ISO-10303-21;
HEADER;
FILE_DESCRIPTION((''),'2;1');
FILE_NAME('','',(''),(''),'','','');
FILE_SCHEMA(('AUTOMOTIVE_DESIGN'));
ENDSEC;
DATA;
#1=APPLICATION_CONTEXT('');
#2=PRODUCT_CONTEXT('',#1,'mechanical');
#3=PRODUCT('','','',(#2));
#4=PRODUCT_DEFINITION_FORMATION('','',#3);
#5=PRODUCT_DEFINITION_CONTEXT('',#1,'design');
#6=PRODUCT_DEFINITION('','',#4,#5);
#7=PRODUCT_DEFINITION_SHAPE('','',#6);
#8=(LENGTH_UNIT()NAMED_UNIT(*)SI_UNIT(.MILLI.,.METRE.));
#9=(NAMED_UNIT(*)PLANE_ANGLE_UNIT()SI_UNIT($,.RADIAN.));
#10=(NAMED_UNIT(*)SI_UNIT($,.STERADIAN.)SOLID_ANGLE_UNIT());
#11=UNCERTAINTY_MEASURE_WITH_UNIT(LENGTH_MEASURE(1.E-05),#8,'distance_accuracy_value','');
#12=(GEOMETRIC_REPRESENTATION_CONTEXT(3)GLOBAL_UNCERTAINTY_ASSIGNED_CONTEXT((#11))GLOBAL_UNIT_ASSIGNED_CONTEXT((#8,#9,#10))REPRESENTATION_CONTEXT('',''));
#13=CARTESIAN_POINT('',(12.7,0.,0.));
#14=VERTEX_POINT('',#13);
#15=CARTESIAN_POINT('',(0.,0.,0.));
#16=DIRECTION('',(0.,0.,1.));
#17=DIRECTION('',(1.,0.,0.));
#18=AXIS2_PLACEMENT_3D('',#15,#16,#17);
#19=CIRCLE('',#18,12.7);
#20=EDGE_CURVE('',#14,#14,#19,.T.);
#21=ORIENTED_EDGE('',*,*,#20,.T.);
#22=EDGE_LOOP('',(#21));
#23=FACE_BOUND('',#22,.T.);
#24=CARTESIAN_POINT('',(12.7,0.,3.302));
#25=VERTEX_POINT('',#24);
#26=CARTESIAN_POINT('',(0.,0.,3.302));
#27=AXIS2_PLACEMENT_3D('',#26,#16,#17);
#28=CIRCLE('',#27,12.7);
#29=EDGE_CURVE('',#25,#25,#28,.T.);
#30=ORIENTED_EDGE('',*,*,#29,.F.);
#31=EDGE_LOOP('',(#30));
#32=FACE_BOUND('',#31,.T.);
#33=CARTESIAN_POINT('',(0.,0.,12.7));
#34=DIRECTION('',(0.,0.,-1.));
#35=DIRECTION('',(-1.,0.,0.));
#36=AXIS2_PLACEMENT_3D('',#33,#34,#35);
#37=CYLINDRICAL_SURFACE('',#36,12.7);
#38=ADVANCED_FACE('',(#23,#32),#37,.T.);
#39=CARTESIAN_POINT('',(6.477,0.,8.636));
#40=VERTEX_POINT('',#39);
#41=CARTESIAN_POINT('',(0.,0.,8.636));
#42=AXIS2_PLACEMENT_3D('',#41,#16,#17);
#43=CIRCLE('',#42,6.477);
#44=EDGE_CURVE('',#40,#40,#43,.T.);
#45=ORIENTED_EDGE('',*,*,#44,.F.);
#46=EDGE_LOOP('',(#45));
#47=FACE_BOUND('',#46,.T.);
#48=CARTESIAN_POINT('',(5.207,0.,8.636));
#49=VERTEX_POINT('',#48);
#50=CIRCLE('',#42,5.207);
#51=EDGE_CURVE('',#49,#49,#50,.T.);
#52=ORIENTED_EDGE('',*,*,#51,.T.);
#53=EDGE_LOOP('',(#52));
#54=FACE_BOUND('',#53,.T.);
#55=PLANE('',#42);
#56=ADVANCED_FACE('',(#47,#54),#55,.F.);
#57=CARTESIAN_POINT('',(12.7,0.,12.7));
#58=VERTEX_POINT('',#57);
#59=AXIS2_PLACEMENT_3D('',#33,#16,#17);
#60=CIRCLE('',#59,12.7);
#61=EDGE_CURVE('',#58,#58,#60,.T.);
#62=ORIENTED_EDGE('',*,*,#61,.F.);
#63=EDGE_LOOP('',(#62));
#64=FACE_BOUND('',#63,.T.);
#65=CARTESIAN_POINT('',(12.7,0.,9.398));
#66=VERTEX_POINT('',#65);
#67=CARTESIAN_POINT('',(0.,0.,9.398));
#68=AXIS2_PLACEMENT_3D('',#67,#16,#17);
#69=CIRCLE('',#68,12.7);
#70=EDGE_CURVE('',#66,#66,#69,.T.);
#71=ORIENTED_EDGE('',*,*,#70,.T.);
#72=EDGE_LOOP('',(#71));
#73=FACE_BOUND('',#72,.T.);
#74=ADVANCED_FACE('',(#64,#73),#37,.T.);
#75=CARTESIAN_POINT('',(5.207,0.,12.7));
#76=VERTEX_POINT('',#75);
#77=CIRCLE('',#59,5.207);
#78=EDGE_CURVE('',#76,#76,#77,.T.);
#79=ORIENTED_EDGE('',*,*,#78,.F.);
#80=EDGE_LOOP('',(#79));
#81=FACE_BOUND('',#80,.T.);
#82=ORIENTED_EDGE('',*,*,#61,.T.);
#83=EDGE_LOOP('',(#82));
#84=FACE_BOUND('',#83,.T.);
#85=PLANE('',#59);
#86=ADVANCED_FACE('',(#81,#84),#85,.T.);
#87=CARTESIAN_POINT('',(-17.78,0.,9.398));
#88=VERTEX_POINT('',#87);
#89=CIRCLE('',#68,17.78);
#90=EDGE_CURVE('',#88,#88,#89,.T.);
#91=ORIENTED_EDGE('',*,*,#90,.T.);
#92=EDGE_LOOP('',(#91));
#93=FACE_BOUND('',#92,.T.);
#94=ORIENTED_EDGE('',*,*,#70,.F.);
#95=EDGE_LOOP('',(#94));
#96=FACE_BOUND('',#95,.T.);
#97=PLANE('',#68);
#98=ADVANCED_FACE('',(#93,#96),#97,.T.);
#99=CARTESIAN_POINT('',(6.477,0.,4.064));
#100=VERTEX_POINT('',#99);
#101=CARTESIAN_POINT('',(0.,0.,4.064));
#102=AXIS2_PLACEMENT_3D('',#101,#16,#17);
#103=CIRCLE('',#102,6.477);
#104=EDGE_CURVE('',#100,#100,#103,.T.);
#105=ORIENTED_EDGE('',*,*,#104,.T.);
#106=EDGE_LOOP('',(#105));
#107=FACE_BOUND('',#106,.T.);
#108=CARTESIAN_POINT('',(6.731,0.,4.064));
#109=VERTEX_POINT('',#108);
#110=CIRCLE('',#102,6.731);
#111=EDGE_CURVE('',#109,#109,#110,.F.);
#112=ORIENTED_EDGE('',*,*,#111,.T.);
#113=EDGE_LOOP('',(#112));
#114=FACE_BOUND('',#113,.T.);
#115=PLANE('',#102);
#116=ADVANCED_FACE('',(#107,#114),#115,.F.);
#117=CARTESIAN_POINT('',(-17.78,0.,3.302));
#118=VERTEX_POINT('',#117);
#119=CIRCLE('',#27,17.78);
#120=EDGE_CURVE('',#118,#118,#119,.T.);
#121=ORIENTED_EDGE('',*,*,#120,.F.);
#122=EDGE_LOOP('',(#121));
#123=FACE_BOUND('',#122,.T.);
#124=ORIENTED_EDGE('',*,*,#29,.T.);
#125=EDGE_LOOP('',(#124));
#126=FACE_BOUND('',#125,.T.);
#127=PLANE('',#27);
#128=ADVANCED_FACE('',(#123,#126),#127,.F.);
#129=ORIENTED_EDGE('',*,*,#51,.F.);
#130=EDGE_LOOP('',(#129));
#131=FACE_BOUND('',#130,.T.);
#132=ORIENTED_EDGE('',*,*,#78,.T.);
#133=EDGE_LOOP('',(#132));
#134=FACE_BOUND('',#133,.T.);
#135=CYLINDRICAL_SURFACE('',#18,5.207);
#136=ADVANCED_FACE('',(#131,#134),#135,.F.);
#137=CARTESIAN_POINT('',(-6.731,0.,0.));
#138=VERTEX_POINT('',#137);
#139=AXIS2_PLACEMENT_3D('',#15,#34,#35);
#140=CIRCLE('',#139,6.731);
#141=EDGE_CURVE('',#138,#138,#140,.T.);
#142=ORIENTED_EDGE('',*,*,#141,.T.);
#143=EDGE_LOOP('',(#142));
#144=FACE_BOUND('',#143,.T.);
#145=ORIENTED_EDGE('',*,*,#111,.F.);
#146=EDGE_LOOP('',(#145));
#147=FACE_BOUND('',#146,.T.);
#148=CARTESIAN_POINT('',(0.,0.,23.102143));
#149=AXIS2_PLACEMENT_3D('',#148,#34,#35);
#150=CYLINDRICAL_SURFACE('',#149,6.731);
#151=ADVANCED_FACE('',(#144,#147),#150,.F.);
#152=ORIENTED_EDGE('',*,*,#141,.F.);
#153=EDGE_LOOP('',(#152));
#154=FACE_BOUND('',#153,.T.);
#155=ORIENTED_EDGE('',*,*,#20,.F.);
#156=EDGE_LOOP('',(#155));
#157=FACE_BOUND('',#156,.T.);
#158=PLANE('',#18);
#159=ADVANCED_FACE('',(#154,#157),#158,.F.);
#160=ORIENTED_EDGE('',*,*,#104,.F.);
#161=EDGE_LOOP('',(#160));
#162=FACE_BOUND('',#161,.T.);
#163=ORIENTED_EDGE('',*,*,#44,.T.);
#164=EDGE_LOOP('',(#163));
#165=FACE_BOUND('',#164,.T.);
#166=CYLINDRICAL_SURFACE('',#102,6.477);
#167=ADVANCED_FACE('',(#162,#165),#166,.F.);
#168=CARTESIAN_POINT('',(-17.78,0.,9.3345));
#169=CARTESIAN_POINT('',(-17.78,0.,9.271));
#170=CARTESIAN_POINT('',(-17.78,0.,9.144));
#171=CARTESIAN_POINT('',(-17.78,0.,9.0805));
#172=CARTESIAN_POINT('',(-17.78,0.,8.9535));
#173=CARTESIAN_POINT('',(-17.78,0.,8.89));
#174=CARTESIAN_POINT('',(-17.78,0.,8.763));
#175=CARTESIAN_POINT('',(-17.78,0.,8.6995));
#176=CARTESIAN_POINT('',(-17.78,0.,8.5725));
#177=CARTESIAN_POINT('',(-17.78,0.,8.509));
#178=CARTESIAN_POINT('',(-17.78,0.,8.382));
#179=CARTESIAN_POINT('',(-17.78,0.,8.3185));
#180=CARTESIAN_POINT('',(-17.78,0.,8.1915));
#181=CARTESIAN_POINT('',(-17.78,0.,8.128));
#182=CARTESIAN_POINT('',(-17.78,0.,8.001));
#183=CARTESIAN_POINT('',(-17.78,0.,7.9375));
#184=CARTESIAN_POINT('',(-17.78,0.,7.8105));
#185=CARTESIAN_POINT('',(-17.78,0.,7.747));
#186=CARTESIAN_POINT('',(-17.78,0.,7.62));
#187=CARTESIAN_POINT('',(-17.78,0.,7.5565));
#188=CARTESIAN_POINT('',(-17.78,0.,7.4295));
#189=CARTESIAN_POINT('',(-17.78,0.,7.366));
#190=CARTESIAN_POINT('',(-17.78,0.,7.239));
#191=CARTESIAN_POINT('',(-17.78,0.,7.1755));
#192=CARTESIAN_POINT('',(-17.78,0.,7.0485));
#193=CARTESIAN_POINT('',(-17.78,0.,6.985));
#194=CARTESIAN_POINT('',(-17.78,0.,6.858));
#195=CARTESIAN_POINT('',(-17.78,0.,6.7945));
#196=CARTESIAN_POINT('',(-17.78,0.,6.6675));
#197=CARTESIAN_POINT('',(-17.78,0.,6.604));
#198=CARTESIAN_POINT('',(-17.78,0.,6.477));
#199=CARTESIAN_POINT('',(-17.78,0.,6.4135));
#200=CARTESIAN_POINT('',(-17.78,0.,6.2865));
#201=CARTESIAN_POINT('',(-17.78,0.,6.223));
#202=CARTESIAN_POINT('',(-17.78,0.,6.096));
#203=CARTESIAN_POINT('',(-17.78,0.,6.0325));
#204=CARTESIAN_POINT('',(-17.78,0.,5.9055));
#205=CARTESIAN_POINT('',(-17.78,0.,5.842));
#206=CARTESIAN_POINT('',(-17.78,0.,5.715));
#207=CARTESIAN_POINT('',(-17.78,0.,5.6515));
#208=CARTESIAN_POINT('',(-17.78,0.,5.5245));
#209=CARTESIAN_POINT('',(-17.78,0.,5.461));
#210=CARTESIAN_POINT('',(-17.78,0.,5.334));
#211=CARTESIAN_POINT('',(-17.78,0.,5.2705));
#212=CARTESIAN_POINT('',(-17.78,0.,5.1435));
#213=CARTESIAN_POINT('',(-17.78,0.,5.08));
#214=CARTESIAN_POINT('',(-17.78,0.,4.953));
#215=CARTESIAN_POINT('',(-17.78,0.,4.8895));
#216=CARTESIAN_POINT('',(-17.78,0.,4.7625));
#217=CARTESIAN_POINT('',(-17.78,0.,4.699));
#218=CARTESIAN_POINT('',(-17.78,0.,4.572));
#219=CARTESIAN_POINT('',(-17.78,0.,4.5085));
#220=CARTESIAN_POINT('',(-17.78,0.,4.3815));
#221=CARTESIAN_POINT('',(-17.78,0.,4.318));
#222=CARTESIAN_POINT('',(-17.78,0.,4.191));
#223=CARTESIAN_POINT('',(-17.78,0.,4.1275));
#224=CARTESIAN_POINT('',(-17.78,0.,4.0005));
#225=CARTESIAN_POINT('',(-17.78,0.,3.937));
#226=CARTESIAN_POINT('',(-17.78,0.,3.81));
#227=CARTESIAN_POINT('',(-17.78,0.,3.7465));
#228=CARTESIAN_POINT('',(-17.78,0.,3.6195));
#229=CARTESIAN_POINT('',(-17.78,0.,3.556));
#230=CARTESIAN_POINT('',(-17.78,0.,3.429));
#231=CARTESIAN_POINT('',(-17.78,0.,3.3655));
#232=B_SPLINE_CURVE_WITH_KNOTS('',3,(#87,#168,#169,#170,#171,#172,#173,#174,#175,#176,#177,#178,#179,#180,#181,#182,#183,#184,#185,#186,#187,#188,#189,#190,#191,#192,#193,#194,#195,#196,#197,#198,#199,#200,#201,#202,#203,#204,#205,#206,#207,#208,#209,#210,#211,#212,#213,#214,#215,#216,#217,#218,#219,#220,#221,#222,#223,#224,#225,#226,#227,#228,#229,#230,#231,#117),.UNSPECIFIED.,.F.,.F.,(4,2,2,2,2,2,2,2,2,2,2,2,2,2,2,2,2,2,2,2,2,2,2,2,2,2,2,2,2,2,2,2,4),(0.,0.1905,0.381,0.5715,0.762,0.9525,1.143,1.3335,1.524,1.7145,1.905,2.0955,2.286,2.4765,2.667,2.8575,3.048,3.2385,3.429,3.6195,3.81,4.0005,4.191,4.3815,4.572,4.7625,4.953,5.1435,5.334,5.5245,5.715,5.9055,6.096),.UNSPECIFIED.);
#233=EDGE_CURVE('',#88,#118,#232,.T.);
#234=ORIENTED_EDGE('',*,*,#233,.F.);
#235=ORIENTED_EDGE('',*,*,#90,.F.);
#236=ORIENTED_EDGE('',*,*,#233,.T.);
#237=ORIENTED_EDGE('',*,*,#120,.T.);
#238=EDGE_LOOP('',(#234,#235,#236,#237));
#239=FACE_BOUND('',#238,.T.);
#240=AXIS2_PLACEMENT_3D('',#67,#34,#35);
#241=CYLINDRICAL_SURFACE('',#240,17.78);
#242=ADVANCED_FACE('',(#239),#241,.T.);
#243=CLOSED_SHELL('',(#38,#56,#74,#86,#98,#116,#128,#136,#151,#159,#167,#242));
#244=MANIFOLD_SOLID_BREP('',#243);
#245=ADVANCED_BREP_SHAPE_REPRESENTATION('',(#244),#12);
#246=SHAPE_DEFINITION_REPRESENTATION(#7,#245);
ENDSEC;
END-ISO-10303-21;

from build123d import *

# Parameters (mm, degrees)
SKETCH1_R           = 12.7
BOSS_EXTRUDE1_DEPTH = 12.7
SKETCH2_R           = 17.78
BOSS_EXTRUDE2_DEPTH = 3.048
SKETCH9_R           = 6.477
CUT_EXTRUDE5_DEPTH  = 2.286
SKETCH10_R          = 6.731
CUT_EXTRUDE6_DEPTH  = 4.064
SKETCH11_R          = 5.207
CUT_EXTRUDE7_DEPTH  = 29.169962726


with BuildPart() as part:
    # Sketch1 → Boss-Extrude1 (new body)
    with BuildSketch(Plane.XY):
        Circle(SKETCH1_R)
    extrude(amount=BOSS_EXTRUDE1_DEPTH)

    # Sketch2 → Boss-Extrude2 (add, symmetric)
    with BuildSketch(Plane.XY.offset(6.35)):
        with Locations(Location((0, 0, 0), (0, 0, 180))):
            Circle(SKETCH2_R)
    extrude(amount=BOSS_EXTRUDE2_DEPTH, both=True)

    # Sketch9 → Cut-Extrude5 (cut, symmetric)
    with BuildSketch(Plane.XY.offset(6.35)):
        Circle(SKETCH9_R)
    extrude(amount=CUT_EXTRUDE5_DEPTH, both=True, mode=Mode.SUBTRACT)

    # Sketch10 → Cut-Extrude6 (cut)
    with BuildSketch(Plane(origin=(0, 0, 0), x_dir=(-1, 0, 0), z_dir=(0, 0, -1))):
        Circle(SKETCH10_R)
    extrude(amount=-CUT_EXTRUDE6_DEPTH, mode=Mode.SUBTRACT)

    # Sketch11 → Cut-Extrude7 (cut, through all)
    with BuildSketch(Plane.XY.offset(12.7)):
        Circle(SKETCH11_R)
    extrude(amount=-CUT_EXTRUDE7_DEPTH, mode=Mode.SUBTRACT)


solid = part.part
